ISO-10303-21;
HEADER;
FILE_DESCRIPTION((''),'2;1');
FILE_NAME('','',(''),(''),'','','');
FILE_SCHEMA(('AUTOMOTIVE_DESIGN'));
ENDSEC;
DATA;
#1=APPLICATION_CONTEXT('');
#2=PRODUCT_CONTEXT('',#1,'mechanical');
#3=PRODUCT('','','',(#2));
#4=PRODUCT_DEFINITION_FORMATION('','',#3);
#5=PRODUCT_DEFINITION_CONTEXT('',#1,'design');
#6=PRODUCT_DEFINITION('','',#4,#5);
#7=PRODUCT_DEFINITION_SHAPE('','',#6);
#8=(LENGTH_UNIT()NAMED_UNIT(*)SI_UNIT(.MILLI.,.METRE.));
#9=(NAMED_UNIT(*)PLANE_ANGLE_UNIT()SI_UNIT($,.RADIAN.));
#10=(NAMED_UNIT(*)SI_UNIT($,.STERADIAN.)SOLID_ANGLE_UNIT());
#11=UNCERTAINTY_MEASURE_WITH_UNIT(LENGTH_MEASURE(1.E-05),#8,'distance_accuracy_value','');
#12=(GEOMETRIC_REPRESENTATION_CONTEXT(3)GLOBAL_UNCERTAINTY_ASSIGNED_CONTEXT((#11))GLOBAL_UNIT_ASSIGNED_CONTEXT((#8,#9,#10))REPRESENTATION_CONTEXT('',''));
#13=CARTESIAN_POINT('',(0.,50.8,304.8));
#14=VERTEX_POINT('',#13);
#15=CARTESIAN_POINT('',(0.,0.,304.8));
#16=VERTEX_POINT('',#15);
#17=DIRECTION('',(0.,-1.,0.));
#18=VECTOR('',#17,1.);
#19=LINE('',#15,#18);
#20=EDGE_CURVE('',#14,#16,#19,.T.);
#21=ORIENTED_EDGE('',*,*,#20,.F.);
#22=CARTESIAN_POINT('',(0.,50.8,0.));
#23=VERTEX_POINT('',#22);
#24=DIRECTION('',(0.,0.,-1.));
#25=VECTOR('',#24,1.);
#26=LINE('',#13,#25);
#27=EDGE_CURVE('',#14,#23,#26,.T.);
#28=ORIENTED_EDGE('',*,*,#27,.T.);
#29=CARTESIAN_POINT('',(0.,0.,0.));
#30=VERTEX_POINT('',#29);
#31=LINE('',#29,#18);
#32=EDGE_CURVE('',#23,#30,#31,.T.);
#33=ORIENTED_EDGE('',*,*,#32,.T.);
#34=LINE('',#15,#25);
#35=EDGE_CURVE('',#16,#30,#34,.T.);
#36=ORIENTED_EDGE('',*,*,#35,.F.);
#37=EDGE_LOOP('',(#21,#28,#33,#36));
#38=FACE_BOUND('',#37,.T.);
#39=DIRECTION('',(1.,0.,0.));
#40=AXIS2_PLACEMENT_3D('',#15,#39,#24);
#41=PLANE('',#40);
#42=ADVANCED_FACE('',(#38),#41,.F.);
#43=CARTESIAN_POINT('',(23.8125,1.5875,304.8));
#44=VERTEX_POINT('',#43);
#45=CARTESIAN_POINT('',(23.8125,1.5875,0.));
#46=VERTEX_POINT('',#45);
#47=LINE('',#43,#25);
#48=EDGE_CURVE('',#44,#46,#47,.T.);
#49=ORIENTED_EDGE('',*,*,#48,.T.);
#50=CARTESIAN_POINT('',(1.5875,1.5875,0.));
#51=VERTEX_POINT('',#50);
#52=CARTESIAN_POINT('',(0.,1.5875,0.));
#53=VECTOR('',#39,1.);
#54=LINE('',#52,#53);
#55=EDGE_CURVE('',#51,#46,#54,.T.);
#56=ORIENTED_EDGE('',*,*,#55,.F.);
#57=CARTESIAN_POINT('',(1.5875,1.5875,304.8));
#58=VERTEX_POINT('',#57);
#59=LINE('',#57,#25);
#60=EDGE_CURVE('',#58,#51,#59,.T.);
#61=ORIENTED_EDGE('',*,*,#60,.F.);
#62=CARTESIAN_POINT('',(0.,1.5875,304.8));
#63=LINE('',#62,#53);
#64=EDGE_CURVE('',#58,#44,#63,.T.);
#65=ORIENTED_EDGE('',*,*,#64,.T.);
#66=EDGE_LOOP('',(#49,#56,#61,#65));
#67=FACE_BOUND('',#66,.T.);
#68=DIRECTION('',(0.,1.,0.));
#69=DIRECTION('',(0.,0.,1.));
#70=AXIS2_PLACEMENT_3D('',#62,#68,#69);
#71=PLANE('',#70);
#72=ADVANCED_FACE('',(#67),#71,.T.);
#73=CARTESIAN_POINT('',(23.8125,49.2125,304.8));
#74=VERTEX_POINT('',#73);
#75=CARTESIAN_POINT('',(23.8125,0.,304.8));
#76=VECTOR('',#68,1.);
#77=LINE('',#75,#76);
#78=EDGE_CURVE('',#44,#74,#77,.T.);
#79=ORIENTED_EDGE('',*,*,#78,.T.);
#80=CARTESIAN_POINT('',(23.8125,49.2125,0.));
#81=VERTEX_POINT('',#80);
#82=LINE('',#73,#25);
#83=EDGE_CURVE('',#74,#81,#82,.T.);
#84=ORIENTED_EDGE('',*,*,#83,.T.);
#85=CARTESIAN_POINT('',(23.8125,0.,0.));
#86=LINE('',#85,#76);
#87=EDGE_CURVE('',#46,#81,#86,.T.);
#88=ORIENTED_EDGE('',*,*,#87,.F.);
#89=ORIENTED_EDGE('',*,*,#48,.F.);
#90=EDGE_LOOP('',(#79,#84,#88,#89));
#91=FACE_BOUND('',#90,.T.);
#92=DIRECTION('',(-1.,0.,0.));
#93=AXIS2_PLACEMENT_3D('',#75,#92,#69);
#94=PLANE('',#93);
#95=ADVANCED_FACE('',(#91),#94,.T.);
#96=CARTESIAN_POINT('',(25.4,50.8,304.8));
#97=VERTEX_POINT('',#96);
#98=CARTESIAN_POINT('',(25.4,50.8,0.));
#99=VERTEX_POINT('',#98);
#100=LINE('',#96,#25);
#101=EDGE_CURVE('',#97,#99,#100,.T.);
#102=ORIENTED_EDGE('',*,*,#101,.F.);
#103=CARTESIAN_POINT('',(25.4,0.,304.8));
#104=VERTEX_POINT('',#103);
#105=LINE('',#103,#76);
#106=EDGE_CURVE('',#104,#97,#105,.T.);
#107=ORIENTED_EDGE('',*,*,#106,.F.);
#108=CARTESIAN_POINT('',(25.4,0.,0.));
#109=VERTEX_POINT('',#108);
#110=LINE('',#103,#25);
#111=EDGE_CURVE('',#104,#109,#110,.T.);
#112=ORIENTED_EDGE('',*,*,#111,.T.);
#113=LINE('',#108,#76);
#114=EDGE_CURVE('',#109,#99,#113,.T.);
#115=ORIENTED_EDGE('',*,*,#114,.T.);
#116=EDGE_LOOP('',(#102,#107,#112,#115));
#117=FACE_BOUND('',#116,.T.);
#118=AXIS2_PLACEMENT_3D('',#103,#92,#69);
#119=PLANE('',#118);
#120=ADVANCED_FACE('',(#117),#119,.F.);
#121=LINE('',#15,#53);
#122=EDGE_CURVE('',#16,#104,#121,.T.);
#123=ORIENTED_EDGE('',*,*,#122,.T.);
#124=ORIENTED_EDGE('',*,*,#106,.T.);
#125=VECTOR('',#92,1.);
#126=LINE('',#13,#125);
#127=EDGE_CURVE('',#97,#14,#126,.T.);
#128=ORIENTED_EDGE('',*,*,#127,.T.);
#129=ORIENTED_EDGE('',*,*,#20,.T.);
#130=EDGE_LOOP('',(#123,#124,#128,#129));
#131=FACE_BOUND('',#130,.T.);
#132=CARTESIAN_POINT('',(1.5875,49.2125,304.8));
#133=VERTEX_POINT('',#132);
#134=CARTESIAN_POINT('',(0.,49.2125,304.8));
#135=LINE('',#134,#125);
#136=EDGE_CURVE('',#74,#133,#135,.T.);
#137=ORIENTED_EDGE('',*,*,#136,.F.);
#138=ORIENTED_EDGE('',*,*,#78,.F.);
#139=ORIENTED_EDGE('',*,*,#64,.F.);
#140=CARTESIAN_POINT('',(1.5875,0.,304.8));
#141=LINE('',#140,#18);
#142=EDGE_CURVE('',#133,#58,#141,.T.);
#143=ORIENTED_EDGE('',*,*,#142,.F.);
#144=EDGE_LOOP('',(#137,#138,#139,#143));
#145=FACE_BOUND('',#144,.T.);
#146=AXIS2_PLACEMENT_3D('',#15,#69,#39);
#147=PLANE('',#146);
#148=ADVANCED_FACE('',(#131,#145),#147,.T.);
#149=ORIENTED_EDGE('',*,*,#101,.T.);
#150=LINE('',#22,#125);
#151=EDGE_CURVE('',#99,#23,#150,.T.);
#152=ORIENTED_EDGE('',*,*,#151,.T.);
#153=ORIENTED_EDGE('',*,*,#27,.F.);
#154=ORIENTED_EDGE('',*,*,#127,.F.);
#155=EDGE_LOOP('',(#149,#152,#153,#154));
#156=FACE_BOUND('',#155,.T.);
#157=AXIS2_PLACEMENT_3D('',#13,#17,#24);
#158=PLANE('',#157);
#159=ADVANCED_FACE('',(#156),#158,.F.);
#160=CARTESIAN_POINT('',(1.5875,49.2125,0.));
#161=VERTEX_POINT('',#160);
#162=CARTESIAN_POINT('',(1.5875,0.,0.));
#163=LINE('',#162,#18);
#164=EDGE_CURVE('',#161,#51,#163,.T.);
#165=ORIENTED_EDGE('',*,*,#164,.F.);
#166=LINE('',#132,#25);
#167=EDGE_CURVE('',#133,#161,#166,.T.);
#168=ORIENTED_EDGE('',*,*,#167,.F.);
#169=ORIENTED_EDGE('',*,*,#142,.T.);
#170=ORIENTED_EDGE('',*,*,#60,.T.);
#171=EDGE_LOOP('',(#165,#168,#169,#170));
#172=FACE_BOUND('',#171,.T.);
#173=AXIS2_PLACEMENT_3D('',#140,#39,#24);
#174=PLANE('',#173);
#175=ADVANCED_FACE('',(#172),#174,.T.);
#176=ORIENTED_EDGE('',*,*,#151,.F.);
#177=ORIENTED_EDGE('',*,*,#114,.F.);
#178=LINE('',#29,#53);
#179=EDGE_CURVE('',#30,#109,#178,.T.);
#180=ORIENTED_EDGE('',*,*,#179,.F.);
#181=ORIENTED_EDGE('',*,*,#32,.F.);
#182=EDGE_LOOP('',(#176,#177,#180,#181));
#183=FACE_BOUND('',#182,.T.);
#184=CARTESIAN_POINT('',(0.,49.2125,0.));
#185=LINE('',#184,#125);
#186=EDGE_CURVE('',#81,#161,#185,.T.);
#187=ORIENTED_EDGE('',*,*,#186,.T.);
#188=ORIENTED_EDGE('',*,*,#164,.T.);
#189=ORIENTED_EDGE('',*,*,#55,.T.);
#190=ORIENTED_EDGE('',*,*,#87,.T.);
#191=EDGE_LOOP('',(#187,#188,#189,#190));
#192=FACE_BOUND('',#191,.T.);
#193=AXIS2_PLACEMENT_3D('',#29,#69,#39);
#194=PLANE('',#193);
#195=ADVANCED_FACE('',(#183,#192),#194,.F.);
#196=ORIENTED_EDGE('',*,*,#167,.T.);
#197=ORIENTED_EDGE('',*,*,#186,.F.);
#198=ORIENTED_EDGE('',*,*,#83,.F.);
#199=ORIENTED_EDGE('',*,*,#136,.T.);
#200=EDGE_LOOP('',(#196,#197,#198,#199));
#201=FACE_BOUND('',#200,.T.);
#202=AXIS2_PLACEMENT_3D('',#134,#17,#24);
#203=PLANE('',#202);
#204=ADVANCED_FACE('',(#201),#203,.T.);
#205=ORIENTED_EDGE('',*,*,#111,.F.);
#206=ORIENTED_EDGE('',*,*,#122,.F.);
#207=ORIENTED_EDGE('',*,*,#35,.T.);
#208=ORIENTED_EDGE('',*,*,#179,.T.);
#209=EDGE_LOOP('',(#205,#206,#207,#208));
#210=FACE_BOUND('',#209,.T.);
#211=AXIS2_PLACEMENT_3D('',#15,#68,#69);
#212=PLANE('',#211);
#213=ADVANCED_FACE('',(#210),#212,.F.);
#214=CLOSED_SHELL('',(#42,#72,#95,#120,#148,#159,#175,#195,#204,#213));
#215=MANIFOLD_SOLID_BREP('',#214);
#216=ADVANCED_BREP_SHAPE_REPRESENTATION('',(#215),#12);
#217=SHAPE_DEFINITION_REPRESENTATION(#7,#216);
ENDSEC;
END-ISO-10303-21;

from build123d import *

# Parameters (mm, degrees)
SKETCH1_W           = 25.4
SKETCH1_H           = 50.8
SKETCH1_W_2         = 22.225
SKETCH1_H_2         = 47.625
EXTRUDE_THIN1_DEPTH = 304.8


with BuildPart() as part:
    # Sketch1 → Extrude-Thin1 (new body)
    with BuildSketch(Plane.XY):
        with Locations((12.7, 25.4)):
            Rectangle(SKETCH1_W, SKETCH1_H)
        with Locations((12.7, 25.4)):
            Rectangle(SKETCH1_W_2, SKETCH1_H_2, mode=Mode.SUBTRACT)
    extrude(amount=EXTRUDE_THIN1_DEPTH)


solid = part.part
